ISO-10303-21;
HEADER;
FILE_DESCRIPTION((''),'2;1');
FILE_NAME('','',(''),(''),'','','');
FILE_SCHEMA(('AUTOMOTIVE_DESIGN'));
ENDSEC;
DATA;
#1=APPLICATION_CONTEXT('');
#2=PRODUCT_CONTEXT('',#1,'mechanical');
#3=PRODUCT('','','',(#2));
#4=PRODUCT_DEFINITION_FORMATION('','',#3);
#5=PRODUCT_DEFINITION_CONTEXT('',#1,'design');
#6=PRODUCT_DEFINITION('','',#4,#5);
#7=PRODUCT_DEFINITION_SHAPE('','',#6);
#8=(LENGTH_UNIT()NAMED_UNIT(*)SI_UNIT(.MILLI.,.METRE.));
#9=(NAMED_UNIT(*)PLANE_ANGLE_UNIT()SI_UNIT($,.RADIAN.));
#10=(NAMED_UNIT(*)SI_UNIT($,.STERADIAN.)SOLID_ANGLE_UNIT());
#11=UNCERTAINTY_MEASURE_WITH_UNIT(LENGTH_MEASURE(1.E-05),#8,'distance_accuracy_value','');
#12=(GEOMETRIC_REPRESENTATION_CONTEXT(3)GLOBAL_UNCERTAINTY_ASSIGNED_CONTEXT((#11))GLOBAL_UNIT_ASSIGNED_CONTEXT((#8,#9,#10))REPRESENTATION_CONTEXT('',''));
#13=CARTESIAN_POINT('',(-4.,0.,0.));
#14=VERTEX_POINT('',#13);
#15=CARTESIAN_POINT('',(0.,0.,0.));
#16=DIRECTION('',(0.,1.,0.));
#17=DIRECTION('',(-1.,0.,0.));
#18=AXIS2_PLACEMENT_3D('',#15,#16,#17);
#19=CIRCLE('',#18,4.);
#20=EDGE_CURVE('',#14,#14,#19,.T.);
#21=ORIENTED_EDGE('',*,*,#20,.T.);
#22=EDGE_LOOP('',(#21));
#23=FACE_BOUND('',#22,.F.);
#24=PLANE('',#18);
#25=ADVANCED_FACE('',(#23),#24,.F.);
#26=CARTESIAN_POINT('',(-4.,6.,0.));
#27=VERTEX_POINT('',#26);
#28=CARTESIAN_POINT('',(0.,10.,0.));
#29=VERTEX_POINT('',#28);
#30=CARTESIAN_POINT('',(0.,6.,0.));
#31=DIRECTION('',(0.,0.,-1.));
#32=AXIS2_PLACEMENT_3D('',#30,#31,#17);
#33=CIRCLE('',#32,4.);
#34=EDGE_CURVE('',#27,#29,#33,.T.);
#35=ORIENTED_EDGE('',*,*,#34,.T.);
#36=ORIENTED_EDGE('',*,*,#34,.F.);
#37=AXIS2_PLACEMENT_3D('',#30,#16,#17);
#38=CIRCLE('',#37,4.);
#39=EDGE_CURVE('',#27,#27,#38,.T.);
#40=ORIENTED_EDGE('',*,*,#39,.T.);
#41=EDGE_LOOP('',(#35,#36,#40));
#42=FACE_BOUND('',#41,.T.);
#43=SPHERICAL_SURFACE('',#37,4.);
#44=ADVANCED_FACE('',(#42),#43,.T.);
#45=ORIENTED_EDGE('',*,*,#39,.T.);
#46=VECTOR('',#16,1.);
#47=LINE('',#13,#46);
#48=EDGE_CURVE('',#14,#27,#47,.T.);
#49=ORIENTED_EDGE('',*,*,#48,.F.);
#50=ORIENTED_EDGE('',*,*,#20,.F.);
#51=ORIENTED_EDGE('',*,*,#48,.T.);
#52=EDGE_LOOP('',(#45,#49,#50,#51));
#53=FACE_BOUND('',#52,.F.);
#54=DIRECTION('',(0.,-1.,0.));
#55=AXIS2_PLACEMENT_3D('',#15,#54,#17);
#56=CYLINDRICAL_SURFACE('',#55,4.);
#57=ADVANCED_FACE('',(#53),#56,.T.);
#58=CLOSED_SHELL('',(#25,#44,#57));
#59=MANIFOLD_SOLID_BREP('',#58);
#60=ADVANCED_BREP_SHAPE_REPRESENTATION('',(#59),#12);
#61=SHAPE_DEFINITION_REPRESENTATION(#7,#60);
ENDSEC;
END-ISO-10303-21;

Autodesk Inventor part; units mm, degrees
ref_plane "YZ Plane" through (0, 0, 0) normal (1, 0, 0) x (0, 1, 0)
ref_plane "XZ Plane" through (0, 0, 0) normal (0, 1, 0) x (-1, 0, 0)
ref_plane "XY Plane" through (0, 0, 0) normal (0, 0, 1) x (1, 0, 0)
sketch "Sketch1" plane through (0, 0, 0) normal (0, 1, 0) x (-1, 0, 0)
  circle A0 centre (0, 0) radius 4
  dimension "d0" = 8
extrude "Extrusion1" add sketch "Sketch1" along normal blind 10
fillet "Fillet1" radius 4 1 edges at (4, 10, 0)
properties part number "X-Ray Tube End" material "Aluminum 6061"
